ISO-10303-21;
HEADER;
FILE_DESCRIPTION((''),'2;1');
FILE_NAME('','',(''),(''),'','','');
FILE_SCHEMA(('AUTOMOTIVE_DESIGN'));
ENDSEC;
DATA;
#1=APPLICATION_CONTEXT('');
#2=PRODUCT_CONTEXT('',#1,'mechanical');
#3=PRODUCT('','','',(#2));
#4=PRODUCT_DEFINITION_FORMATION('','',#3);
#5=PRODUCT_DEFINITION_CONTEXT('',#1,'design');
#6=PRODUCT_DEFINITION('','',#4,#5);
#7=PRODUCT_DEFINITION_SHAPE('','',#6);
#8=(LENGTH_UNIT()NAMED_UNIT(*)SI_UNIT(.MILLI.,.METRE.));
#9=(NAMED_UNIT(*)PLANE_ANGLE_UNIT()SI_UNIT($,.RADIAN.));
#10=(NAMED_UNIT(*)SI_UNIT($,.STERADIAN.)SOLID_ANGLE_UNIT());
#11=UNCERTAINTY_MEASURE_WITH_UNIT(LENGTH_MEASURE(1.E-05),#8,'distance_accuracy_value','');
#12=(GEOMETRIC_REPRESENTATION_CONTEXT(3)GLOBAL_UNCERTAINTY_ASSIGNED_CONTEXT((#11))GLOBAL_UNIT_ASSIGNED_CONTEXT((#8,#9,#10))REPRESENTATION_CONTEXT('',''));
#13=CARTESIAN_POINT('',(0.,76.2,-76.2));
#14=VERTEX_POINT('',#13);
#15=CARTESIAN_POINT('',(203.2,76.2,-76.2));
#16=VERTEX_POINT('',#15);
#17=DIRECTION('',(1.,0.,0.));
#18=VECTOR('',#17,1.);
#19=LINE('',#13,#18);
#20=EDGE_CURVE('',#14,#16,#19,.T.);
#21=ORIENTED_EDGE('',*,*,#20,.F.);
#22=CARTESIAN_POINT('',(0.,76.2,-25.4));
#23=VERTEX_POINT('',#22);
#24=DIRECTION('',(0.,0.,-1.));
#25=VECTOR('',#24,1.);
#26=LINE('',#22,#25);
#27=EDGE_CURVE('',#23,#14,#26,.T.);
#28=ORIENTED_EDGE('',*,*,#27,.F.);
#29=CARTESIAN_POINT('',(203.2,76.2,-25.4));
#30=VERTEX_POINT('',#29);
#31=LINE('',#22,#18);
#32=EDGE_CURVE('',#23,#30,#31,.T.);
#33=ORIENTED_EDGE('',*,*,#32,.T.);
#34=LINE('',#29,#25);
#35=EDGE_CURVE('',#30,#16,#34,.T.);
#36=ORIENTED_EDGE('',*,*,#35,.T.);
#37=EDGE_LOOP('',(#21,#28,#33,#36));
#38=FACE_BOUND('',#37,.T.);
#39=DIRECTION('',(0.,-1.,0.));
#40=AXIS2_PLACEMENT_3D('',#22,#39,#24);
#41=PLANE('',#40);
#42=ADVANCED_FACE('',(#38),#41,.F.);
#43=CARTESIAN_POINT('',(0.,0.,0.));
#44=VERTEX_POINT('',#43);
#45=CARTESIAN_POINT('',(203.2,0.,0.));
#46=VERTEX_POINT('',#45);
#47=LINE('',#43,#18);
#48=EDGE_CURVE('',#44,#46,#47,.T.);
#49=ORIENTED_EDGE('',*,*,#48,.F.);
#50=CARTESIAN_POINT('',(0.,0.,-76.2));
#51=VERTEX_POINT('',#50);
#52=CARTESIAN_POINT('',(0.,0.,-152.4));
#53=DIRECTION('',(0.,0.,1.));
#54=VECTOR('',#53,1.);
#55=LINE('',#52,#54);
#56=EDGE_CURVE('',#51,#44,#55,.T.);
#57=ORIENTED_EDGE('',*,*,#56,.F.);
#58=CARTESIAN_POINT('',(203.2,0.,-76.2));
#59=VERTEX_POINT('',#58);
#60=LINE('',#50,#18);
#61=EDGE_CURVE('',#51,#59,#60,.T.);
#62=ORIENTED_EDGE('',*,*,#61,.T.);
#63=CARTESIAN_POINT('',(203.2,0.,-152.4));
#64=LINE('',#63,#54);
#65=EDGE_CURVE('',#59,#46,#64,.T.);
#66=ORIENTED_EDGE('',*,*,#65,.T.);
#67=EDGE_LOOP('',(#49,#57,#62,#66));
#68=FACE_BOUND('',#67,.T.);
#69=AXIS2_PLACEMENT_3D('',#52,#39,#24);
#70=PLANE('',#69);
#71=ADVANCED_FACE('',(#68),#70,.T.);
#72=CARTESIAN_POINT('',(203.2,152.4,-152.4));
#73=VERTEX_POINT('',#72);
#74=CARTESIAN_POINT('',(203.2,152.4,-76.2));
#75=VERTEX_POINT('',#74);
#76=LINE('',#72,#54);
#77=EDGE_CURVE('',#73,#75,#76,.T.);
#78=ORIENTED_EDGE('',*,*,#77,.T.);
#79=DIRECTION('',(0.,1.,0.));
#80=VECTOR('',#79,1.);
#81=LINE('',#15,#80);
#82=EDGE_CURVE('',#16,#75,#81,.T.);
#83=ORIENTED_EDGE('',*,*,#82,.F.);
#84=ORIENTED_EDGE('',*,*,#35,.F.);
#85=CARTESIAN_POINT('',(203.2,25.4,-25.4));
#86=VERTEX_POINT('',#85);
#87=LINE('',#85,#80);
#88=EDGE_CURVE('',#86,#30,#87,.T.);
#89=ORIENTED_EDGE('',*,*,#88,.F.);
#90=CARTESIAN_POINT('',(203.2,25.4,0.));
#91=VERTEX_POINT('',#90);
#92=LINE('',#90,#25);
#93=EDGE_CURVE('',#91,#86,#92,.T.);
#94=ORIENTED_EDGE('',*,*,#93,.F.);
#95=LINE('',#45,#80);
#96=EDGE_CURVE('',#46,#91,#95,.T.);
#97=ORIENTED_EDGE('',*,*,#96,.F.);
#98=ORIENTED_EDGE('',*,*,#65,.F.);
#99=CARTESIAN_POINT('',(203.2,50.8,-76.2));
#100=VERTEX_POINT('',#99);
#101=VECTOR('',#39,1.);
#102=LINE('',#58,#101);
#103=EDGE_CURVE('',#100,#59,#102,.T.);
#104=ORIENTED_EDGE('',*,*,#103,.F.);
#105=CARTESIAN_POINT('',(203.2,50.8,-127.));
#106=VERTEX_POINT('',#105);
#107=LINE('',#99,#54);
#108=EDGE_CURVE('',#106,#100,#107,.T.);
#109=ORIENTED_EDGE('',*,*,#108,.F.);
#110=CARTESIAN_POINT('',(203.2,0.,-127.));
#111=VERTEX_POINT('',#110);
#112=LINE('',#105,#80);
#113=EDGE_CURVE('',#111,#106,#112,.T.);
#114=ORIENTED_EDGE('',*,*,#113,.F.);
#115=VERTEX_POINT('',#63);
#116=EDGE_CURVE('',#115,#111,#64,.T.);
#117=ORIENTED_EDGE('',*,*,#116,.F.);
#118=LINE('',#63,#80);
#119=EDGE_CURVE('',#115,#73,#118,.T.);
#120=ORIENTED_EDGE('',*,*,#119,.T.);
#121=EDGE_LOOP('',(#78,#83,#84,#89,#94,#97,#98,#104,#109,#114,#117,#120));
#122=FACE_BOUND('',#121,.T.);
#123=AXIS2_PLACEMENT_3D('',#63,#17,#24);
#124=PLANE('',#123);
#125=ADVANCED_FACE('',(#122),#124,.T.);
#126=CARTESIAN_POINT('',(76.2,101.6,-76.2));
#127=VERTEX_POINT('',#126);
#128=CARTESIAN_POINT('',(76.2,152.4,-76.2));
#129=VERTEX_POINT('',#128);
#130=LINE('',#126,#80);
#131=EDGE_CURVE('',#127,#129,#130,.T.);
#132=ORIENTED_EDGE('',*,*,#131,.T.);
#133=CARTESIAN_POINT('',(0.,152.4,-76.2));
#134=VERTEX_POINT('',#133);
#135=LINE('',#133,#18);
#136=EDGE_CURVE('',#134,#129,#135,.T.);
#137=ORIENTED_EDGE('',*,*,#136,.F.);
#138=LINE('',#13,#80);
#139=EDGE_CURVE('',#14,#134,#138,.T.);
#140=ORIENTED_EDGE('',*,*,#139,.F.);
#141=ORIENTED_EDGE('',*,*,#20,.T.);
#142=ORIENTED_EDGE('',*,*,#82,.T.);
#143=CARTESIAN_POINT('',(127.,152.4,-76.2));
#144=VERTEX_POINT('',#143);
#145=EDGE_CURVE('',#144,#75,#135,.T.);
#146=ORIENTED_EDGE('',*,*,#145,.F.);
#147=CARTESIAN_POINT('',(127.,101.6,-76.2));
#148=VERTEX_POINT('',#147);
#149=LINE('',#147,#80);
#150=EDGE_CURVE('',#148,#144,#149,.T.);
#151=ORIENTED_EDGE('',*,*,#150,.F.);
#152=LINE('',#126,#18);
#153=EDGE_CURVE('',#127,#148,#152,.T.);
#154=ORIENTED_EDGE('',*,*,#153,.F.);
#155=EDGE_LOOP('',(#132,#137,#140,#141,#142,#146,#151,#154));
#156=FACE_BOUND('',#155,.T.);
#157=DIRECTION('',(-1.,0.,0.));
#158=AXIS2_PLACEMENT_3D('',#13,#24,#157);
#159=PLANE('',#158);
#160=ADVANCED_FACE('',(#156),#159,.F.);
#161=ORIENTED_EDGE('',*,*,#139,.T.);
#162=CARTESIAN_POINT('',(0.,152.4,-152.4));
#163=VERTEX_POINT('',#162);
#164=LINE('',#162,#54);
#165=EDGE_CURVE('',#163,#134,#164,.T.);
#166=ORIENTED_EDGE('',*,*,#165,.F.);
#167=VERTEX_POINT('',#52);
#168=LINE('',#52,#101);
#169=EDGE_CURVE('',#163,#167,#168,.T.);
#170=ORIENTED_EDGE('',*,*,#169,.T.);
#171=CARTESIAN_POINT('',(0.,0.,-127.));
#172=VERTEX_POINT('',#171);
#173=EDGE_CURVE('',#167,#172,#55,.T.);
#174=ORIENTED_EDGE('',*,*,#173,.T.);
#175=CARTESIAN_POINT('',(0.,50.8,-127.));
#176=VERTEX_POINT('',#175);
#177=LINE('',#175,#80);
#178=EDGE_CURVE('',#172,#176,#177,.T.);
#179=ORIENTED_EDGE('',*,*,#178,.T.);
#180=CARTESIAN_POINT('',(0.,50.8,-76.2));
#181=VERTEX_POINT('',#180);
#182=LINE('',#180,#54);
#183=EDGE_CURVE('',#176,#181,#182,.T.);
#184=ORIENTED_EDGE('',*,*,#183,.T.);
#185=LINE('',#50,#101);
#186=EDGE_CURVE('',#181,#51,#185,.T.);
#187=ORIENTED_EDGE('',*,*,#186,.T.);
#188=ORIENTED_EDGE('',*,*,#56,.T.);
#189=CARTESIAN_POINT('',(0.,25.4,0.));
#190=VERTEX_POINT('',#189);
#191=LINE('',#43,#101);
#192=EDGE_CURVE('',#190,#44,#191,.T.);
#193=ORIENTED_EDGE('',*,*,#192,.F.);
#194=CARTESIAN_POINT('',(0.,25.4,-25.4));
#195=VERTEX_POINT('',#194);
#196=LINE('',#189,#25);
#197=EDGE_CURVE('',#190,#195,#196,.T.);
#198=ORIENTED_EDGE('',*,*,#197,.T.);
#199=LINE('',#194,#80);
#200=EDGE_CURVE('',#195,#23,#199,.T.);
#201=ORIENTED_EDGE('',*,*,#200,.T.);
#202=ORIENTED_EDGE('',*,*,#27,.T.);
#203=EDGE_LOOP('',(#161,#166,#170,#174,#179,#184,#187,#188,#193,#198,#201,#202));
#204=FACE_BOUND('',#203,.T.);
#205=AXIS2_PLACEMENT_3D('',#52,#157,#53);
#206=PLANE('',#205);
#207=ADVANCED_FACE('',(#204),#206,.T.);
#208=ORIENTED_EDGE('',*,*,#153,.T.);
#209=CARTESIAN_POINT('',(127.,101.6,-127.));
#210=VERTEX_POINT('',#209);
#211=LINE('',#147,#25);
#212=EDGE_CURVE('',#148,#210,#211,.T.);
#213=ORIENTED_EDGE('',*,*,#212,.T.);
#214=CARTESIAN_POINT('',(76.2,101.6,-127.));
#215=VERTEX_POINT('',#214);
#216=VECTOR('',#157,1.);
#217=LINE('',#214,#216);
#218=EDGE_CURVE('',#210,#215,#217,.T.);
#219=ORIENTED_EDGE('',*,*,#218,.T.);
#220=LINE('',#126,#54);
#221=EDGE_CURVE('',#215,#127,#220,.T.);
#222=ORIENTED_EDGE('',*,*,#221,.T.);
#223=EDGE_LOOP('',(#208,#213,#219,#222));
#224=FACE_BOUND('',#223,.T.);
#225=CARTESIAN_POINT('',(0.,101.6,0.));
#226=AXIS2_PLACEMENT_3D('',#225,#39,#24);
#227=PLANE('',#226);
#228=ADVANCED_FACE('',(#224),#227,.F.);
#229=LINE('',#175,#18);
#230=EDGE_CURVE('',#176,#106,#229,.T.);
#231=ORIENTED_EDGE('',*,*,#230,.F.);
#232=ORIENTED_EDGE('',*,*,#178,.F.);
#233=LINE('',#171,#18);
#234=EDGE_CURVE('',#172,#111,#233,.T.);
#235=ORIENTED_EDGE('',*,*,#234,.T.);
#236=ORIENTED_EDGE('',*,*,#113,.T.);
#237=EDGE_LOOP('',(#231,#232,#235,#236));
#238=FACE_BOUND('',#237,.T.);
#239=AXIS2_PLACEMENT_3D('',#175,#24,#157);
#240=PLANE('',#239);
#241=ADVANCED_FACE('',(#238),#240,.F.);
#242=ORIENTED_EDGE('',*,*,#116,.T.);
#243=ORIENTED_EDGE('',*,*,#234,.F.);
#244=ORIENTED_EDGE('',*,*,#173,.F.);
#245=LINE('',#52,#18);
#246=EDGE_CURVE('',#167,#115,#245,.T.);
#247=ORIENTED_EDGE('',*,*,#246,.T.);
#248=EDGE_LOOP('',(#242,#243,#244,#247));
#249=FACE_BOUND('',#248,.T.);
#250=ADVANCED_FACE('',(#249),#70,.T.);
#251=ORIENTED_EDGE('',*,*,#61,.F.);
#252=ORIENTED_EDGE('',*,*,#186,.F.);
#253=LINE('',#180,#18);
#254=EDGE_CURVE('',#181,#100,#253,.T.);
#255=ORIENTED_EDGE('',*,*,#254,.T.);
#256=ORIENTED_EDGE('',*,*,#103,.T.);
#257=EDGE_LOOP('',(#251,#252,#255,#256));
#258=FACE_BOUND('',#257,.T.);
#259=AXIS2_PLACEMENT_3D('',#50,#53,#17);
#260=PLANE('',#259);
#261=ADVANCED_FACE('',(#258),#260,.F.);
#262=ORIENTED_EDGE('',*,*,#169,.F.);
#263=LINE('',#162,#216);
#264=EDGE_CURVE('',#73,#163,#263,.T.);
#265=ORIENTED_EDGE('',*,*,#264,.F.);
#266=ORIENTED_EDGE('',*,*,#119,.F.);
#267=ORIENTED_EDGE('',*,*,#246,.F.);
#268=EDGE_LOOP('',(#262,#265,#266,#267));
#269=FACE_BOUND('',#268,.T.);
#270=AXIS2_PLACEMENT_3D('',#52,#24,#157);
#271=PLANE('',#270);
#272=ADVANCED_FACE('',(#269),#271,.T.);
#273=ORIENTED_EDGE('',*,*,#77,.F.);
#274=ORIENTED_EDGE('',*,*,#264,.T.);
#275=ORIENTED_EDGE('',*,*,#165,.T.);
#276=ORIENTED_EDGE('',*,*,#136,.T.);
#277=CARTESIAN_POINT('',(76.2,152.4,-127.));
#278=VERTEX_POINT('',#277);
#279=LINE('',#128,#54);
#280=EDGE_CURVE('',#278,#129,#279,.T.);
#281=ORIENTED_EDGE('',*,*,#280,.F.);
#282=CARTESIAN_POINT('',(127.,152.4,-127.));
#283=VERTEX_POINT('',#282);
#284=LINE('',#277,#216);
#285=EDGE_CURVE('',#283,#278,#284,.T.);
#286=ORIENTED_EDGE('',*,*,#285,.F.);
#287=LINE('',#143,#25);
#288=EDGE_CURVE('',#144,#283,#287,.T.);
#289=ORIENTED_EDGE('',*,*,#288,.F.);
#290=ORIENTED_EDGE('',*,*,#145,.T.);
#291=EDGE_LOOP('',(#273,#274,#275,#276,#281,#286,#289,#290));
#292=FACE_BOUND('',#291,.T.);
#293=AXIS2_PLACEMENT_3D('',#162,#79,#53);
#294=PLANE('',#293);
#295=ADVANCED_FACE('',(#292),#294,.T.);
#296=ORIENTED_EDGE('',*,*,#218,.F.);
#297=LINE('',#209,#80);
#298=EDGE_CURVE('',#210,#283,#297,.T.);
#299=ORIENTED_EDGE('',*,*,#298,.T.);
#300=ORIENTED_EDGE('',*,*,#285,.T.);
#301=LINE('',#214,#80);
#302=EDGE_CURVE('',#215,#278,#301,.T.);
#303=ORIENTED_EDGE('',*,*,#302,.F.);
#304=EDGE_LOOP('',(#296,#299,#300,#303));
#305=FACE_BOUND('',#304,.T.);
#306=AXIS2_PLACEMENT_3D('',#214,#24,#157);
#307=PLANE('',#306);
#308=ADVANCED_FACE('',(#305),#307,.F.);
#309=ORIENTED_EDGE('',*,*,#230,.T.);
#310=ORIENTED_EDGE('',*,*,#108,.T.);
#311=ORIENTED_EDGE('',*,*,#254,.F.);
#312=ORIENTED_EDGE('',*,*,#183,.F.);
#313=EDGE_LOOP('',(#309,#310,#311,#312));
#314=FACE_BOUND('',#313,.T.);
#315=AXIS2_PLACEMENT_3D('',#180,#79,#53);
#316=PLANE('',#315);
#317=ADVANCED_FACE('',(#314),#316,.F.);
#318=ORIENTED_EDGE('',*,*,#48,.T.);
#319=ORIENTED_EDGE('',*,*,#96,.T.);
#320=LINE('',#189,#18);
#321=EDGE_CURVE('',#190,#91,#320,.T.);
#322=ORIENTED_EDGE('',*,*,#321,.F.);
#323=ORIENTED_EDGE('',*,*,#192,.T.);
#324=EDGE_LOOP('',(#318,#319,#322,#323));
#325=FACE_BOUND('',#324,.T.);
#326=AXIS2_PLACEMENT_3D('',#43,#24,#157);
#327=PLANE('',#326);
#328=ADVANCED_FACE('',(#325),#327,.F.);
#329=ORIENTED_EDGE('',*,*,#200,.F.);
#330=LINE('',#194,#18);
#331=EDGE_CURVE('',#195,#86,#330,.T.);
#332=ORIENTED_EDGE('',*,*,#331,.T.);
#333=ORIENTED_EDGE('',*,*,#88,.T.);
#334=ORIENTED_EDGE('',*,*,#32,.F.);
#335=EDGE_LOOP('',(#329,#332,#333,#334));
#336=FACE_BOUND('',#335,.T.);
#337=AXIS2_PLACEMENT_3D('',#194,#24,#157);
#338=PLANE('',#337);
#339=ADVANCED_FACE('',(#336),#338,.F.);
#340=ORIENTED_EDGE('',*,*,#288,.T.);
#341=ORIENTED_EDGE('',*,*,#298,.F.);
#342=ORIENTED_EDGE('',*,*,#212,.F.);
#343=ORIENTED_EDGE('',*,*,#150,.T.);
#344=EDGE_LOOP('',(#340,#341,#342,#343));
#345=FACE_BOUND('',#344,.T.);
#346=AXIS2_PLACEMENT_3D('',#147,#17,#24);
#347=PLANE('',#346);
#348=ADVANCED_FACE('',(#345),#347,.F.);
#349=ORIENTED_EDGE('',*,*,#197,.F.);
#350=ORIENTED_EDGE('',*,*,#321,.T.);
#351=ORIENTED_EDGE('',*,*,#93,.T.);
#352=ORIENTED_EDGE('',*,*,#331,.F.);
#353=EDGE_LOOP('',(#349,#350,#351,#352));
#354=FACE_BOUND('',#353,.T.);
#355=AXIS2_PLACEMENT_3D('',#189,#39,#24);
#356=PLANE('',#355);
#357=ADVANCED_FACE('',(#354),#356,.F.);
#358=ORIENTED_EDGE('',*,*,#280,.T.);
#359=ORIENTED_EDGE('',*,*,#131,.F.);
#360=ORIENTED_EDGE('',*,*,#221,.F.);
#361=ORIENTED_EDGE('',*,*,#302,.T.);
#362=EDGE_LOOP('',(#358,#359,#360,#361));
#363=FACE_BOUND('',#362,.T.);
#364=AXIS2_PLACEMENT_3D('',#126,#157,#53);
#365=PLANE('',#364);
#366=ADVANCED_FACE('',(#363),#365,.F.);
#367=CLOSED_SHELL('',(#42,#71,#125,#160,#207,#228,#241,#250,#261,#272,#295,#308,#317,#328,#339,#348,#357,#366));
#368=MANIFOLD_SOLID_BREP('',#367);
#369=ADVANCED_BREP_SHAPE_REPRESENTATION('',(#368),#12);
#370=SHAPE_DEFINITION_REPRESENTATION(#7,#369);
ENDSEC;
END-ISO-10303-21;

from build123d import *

# Parameters (mm, degrees)
SKETCH1_W           = 203.2
SKETCH1_H           = 152.4
BOSS_EXTRUDE1_DEPTH = 152.4
SKETCH2_W           = 50.8
SKETCH2_H           = 50.8
CUT_EXTRUDE1_DEPTH  = 204.2
SKETCH3_W           = 50.8
SKETCH3_H           = 50.8
CUT_EXTRUDE2_DEPTH  = 50.8


with BuildPart() as part:
    # Sketch1 → Boss-Extrude1 (new body)
    with BuildSketch(Plane.XY):
        with Locations((101.6, 76.2)):
            Rectangle(SKETCH1_W, SKETCH1_H)
    extrude(amount=-BOSS_EXTRUDE1_DEPTH)

    # Sketch2 → Cut-Extrude1 (cut, through all)
    with BuildSketch(Plane(origin=(203.2, 0, 0), x_dir=(0, 0, -1), z_dir=(1, 0, 0))):
        Polygon((0, 25.4), (25.4, 25.4), (25.4, 76.2), (76.2, 76.2), (76.2, 152.4), (0, 152.4), align=None)
        with Locations((101.6, 25.4)):
            Rectangle(SKETCH2_W, SKETCH2_H)
    extrude(amount=-CUT_EXTRUDE1_DEPTH, mode=Mode.SUBTRACT)

    # Sketch3 → Cut-Extrude2 (cut)
    with BuildSketch(Plane(origin=(0, 152.4, 0), x_dir=(1, 0, 0), z_dir=(0, 1, 0))):
        with Locations((101.6, 101.6)):
            Rectangle(SKETCH3_W, SKETCH3_H)
    extrude(amount=-CUT_EXTRUDE2_DEPTH, mode=Mode.SUBTRACT)


solid = part.part
